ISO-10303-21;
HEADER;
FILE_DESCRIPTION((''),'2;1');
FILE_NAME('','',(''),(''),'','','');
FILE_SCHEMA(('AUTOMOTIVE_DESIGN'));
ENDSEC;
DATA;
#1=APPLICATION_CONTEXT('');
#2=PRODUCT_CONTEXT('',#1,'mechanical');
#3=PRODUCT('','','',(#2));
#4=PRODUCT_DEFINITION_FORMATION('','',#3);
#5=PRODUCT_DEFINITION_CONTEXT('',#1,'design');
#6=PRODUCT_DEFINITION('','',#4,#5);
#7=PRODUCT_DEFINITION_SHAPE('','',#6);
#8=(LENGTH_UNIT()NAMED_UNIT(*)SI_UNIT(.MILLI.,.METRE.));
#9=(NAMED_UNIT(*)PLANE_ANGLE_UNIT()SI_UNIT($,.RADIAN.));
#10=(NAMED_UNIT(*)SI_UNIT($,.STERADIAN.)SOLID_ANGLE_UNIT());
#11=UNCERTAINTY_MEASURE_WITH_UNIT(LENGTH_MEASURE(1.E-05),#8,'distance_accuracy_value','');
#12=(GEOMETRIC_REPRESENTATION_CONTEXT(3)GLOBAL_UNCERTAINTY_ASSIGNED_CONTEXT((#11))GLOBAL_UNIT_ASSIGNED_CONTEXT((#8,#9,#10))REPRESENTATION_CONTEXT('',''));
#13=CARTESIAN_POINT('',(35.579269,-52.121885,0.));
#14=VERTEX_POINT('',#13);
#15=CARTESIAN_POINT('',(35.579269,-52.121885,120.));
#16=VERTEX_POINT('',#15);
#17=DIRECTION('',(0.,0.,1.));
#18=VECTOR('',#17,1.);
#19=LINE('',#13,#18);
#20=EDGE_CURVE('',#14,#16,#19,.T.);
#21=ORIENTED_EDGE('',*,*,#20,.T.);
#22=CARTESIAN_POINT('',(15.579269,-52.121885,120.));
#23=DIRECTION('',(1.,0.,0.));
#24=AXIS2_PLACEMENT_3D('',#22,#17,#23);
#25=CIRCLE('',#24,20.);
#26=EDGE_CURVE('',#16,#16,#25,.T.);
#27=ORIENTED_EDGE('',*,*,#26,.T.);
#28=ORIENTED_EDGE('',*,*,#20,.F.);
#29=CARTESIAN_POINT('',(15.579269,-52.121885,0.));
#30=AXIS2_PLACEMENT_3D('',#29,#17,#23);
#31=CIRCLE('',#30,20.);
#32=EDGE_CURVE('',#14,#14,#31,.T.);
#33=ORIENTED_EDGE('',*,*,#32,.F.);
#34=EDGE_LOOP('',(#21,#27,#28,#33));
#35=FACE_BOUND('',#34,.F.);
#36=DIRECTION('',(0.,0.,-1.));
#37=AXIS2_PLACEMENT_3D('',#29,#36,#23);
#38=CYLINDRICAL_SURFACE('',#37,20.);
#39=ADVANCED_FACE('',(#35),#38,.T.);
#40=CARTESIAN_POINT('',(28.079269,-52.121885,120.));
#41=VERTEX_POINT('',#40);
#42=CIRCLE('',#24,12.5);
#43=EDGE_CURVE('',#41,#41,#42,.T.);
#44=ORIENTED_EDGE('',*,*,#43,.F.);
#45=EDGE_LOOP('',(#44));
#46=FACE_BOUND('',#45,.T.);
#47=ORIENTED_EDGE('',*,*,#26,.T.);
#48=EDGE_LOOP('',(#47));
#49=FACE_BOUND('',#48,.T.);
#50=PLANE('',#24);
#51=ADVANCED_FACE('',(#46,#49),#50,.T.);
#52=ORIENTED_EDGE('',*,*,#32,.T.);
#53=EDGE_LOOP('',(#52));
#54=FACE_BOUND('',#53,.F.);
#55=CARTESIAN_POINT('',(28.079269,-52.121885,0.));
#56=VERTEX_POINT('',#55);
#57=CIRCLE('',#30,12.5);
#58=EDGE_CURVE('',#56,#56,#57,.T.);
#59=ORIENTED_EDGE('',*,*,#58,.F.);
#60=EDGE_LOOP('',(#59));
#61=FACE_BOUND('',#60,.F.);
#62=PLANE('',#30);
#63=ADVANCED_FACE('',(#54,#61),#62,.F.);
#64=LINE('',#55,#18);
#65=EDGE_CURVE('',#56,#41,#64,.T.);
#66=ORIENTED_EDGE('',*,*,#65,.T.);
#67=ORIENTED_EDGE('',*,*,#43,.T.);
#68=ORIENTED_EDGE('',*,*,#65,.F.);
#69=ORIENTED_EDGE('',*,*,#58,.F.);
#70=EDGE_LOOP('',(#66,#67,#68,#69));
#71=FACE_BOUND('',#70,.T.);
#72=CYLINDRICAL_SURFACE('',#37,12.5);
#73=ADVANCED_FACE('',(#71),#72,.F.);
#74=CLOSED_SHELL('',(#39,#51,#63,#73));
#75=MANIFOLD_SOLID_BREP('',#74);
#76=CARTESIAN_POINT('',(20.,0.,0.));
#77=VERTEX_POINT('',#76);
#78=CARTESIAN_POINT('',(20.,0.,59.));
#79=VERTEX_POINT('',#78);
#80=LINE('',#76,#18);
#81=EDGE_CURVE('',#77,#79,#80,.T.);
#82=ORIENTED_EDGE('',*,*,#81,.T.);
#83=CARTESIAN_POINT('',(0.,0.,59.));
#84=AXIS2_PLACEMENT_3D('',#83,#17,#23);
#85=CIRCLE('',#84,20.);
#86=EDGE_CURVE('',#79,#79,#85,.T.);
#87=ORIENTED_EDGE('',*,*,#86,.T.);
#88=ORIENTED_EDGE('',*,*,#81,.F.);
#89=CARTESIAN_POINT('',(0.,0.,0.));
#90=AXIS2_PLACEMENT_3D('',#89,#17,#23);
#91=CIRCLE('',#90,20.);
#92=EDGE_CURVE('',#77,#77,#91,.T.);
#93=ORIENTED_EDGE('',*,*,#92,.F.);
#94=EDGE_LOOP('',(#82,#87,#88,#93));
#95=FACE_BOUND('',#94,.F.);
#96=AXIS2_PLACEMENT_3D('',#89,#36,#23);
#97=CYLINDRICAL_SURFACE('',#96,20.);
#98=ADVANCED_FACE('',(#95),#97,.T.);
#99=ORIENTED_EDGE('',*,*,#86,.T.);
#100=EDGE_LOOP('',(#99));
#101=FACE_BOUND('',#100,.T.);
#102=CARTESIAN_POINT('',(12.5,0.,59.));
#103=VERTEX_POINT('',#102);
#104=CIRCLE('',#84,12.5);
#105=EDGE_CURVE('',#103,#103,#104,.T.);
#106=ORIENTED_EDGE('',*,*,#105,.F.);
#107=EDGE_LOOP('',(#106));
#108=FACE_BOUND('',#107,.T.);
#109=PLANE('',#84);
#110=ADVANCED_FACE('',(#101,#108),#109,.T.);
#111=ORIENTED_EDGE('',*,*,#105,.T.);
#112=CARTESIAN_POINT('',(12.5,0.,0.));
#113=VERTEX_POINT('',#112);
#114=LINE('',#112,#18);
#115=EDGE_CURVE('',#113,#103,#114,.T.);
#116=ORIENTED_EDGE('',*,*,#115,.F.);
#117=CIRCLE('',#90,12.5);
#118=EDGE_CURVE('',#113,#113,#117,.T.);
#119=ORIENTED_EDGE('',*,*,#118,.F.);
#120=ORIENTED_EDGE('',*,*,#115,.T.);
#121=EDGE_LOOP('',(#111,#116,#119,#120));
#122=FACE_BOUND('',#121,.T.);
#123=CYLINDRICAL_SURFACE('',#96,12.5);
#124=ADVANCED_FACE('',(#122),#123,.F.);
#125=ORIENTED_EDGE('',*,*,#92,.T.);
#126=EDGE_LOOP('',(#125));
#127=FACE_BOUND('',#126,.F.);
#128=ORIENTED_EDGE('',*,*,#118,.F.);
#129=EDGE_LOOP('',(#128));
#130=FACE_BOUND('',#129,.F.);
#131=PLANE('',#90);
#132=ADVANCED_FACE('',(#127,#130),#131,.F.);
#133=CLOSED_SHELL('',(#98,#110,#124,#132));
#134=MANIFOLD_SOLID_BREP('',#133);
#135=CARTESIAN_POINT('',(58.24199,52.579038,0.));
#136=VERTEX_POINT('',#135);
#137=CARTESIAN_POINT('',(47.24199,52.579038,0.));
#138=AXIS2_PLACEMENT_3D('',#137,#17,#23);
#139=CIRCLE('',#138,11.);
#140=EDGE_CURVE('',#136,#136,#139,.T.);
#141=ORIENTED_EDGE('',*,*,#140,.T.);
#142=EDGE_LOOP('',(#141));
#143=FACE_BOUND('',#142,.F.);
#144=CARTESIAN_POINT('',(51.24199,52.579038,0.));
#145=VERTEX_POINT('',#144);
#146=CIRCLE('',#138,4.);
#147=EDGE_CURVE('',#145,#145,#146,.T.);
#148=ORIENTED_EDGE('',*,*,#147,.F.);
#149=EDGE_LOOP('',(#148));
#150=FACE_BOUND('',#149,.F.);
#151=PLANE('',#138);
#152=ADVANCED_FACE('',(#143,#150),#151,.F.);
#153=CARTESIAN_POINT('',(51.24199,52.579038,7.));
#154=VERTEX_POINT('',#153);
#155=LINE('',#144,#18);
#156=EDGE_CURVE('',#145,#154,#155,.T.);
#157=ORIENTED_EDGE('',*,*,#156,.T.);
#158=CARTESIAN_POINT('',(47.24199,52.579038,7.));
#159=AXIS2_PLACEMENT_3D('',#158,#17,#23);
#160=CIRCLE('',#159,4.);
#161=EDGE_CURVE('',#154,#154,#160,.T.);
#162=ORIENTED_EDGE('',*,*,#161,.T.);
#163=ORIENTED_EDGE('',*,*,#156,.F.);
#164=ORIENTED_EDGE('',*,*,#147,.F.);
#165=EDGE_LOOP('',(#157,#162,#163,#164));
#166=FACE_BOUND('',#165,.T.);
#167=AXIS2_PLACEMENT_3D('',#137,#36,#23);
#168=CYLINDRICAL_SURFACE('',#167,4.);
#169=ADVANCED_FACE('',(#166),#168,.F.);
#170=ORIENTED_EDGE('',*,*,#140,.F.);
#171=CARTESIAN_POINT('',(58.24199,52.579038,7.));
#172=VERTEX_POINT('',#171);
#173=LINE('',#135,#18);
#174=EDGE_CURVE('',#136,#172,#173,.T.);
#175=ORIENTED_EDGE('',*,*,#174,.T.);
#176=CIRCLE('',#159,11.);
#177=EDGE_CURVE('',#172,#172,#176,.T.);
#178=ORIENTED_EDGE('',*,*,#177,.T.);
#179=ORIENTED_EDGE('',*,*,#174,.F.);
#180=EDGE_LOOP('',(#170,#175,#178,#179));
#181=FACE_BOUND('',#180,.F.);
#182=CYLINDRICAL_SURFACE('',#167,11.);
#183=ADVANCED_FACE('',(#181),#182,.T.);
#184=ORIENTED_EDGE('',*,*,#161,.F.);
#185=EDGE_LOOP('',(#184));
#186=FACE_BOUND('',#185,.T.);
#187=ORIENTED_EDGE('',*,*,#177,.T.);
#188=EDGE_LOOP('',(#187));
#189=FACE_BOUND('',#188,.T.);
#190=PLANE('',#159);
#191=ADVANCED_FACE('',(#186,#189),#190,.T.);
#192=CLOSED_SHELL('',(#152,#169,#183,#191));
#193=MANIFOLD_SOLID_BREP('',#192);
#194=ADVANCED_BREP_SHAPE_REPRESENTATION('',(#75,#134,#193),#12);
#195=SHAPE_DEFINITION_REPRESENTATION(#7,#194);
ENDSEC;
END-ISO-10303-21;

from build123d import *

# Parameters (mm, degrees)
F0_R     = 20
F0_R_2   = 12.5
F1_DEPTH = 59
F2_R     = 11
F2_R_2   = 4
F3_DEPTH = 7
F4_DEPTH = 120


with BuildPart() as f1:
    # F0 (on Top) → F1 (new body)
    with BuildSketch(Plane.XY):
        Circle(F0_R)
        Circle(F0_R_2, mode=Mode.SUBTRACT)
    extrude(amount=F1_DEPTH)


with BuildPart() as f3:
    # F2 (on Top) → F3 (new body)
    with BuildSketch(Plane.XY):
        with Locations((47.24199, 52.579038)):
            Circle(F2_R)
        with Locations((47.24199, 52.579038)):
            Circle(F2_R_2, mode=Mode.SUBTRACT)
    extrude(amount=F3_DEPTH)


with BuildPart() as f4:
    # F0 (on Top) → F4 (new body)
    with BuildSketch(Plane.XY):
        with Locations((15.579269, -52.121885)):
            Circle(F0_R)
        with Locations((15.579269, -52.121885)):
            Circle(F0_R_2, mode=Mode.SUBTRACT)
    extrude(amount=F4_DEPTH)


solid = Compound([f1.part, f3.part, f4.part])
